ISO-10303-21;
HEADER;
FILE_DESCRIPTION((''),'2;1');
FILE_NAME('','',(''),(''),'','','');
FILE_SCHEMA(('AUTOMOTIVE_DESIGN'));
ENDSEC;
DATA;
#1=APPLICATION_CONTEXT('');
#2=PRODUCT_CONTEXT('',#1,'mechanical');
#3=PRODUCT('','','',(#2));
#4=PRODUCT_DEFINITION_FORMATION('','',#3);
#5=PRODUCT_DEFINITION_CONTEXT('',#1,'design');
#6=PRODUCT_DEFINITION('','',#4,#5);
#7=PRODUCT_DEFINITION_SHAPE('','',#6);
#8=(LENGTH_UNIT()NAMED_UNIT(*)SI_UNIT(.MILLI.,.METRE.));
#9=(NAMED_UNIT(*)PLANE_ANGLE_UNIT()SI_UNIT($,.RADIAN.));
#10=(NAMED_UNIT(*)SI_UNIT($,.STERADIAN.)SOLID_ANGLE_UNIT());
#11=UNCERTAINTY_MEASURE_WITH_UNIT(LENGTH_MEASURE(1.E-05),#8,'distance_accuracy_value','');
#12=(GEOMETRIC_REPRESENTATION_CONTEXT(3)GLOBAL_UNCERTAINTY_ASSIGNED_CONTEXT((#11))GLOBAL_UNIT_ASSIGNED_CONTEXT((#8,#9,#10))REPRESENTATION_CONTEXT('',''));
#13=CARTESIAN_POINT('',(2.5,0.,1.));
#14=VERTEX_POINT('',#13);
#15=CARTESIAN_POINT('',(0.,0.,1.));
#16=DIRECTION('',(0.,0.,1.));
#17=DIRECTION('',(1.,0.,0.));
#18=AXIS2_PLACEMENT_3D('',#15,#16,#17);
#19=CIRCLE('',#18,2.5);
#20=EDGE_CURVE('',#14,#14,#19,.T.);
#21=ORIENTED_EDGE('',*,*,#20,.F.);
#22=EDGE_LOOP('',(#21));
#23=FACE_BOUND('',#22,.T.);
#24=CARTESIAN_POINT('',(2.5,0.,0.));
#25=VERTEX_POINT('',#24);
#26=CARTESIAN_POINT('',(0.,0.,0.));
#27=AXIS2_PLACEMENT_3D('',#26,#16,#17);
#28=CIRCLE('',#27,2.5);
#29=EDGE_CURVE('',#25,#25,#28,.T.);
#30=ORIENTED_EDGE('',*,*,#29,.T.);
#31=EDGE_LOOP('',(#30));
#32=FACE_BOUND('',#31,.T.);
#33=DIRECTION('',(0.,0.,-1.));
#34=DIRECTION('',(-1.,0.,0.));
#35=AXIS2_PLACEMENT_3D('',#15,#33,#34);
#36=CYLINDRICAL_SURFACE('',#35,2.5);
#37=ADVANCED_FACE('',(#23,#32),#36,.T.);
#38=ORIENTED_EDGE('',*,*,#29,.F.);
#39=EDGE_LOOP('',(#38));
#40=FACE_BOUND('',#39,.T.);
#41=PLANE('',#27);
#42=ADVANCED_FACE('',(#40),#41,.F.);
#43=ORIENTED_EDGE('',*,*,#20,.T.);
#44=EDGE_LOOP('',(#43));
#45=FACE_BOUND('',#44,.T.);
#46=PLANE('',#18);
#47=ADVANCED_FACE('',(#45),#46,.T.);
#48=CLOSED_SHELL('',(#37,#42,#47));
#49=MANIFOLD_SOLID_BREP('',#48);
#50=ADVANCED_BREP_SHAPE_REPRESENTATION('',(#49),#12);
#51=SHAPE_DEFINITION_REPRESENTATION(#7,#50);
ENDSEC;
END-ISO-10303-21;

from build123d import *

# Parameters (mm, degrees)
SKETCH1_R           = 2.5
BOSS_EXTRUDE1_DEPTH = 1


with BuildPart() as part:
    # Sketch1 → Boss-Extrude1 (new body)
    with BuildSketch(Plane.XY):
        Circle(SKETCH1_R)
    extrude(amount=BOSS_EXTRUDE1_DEPTH)


solid = part.part
